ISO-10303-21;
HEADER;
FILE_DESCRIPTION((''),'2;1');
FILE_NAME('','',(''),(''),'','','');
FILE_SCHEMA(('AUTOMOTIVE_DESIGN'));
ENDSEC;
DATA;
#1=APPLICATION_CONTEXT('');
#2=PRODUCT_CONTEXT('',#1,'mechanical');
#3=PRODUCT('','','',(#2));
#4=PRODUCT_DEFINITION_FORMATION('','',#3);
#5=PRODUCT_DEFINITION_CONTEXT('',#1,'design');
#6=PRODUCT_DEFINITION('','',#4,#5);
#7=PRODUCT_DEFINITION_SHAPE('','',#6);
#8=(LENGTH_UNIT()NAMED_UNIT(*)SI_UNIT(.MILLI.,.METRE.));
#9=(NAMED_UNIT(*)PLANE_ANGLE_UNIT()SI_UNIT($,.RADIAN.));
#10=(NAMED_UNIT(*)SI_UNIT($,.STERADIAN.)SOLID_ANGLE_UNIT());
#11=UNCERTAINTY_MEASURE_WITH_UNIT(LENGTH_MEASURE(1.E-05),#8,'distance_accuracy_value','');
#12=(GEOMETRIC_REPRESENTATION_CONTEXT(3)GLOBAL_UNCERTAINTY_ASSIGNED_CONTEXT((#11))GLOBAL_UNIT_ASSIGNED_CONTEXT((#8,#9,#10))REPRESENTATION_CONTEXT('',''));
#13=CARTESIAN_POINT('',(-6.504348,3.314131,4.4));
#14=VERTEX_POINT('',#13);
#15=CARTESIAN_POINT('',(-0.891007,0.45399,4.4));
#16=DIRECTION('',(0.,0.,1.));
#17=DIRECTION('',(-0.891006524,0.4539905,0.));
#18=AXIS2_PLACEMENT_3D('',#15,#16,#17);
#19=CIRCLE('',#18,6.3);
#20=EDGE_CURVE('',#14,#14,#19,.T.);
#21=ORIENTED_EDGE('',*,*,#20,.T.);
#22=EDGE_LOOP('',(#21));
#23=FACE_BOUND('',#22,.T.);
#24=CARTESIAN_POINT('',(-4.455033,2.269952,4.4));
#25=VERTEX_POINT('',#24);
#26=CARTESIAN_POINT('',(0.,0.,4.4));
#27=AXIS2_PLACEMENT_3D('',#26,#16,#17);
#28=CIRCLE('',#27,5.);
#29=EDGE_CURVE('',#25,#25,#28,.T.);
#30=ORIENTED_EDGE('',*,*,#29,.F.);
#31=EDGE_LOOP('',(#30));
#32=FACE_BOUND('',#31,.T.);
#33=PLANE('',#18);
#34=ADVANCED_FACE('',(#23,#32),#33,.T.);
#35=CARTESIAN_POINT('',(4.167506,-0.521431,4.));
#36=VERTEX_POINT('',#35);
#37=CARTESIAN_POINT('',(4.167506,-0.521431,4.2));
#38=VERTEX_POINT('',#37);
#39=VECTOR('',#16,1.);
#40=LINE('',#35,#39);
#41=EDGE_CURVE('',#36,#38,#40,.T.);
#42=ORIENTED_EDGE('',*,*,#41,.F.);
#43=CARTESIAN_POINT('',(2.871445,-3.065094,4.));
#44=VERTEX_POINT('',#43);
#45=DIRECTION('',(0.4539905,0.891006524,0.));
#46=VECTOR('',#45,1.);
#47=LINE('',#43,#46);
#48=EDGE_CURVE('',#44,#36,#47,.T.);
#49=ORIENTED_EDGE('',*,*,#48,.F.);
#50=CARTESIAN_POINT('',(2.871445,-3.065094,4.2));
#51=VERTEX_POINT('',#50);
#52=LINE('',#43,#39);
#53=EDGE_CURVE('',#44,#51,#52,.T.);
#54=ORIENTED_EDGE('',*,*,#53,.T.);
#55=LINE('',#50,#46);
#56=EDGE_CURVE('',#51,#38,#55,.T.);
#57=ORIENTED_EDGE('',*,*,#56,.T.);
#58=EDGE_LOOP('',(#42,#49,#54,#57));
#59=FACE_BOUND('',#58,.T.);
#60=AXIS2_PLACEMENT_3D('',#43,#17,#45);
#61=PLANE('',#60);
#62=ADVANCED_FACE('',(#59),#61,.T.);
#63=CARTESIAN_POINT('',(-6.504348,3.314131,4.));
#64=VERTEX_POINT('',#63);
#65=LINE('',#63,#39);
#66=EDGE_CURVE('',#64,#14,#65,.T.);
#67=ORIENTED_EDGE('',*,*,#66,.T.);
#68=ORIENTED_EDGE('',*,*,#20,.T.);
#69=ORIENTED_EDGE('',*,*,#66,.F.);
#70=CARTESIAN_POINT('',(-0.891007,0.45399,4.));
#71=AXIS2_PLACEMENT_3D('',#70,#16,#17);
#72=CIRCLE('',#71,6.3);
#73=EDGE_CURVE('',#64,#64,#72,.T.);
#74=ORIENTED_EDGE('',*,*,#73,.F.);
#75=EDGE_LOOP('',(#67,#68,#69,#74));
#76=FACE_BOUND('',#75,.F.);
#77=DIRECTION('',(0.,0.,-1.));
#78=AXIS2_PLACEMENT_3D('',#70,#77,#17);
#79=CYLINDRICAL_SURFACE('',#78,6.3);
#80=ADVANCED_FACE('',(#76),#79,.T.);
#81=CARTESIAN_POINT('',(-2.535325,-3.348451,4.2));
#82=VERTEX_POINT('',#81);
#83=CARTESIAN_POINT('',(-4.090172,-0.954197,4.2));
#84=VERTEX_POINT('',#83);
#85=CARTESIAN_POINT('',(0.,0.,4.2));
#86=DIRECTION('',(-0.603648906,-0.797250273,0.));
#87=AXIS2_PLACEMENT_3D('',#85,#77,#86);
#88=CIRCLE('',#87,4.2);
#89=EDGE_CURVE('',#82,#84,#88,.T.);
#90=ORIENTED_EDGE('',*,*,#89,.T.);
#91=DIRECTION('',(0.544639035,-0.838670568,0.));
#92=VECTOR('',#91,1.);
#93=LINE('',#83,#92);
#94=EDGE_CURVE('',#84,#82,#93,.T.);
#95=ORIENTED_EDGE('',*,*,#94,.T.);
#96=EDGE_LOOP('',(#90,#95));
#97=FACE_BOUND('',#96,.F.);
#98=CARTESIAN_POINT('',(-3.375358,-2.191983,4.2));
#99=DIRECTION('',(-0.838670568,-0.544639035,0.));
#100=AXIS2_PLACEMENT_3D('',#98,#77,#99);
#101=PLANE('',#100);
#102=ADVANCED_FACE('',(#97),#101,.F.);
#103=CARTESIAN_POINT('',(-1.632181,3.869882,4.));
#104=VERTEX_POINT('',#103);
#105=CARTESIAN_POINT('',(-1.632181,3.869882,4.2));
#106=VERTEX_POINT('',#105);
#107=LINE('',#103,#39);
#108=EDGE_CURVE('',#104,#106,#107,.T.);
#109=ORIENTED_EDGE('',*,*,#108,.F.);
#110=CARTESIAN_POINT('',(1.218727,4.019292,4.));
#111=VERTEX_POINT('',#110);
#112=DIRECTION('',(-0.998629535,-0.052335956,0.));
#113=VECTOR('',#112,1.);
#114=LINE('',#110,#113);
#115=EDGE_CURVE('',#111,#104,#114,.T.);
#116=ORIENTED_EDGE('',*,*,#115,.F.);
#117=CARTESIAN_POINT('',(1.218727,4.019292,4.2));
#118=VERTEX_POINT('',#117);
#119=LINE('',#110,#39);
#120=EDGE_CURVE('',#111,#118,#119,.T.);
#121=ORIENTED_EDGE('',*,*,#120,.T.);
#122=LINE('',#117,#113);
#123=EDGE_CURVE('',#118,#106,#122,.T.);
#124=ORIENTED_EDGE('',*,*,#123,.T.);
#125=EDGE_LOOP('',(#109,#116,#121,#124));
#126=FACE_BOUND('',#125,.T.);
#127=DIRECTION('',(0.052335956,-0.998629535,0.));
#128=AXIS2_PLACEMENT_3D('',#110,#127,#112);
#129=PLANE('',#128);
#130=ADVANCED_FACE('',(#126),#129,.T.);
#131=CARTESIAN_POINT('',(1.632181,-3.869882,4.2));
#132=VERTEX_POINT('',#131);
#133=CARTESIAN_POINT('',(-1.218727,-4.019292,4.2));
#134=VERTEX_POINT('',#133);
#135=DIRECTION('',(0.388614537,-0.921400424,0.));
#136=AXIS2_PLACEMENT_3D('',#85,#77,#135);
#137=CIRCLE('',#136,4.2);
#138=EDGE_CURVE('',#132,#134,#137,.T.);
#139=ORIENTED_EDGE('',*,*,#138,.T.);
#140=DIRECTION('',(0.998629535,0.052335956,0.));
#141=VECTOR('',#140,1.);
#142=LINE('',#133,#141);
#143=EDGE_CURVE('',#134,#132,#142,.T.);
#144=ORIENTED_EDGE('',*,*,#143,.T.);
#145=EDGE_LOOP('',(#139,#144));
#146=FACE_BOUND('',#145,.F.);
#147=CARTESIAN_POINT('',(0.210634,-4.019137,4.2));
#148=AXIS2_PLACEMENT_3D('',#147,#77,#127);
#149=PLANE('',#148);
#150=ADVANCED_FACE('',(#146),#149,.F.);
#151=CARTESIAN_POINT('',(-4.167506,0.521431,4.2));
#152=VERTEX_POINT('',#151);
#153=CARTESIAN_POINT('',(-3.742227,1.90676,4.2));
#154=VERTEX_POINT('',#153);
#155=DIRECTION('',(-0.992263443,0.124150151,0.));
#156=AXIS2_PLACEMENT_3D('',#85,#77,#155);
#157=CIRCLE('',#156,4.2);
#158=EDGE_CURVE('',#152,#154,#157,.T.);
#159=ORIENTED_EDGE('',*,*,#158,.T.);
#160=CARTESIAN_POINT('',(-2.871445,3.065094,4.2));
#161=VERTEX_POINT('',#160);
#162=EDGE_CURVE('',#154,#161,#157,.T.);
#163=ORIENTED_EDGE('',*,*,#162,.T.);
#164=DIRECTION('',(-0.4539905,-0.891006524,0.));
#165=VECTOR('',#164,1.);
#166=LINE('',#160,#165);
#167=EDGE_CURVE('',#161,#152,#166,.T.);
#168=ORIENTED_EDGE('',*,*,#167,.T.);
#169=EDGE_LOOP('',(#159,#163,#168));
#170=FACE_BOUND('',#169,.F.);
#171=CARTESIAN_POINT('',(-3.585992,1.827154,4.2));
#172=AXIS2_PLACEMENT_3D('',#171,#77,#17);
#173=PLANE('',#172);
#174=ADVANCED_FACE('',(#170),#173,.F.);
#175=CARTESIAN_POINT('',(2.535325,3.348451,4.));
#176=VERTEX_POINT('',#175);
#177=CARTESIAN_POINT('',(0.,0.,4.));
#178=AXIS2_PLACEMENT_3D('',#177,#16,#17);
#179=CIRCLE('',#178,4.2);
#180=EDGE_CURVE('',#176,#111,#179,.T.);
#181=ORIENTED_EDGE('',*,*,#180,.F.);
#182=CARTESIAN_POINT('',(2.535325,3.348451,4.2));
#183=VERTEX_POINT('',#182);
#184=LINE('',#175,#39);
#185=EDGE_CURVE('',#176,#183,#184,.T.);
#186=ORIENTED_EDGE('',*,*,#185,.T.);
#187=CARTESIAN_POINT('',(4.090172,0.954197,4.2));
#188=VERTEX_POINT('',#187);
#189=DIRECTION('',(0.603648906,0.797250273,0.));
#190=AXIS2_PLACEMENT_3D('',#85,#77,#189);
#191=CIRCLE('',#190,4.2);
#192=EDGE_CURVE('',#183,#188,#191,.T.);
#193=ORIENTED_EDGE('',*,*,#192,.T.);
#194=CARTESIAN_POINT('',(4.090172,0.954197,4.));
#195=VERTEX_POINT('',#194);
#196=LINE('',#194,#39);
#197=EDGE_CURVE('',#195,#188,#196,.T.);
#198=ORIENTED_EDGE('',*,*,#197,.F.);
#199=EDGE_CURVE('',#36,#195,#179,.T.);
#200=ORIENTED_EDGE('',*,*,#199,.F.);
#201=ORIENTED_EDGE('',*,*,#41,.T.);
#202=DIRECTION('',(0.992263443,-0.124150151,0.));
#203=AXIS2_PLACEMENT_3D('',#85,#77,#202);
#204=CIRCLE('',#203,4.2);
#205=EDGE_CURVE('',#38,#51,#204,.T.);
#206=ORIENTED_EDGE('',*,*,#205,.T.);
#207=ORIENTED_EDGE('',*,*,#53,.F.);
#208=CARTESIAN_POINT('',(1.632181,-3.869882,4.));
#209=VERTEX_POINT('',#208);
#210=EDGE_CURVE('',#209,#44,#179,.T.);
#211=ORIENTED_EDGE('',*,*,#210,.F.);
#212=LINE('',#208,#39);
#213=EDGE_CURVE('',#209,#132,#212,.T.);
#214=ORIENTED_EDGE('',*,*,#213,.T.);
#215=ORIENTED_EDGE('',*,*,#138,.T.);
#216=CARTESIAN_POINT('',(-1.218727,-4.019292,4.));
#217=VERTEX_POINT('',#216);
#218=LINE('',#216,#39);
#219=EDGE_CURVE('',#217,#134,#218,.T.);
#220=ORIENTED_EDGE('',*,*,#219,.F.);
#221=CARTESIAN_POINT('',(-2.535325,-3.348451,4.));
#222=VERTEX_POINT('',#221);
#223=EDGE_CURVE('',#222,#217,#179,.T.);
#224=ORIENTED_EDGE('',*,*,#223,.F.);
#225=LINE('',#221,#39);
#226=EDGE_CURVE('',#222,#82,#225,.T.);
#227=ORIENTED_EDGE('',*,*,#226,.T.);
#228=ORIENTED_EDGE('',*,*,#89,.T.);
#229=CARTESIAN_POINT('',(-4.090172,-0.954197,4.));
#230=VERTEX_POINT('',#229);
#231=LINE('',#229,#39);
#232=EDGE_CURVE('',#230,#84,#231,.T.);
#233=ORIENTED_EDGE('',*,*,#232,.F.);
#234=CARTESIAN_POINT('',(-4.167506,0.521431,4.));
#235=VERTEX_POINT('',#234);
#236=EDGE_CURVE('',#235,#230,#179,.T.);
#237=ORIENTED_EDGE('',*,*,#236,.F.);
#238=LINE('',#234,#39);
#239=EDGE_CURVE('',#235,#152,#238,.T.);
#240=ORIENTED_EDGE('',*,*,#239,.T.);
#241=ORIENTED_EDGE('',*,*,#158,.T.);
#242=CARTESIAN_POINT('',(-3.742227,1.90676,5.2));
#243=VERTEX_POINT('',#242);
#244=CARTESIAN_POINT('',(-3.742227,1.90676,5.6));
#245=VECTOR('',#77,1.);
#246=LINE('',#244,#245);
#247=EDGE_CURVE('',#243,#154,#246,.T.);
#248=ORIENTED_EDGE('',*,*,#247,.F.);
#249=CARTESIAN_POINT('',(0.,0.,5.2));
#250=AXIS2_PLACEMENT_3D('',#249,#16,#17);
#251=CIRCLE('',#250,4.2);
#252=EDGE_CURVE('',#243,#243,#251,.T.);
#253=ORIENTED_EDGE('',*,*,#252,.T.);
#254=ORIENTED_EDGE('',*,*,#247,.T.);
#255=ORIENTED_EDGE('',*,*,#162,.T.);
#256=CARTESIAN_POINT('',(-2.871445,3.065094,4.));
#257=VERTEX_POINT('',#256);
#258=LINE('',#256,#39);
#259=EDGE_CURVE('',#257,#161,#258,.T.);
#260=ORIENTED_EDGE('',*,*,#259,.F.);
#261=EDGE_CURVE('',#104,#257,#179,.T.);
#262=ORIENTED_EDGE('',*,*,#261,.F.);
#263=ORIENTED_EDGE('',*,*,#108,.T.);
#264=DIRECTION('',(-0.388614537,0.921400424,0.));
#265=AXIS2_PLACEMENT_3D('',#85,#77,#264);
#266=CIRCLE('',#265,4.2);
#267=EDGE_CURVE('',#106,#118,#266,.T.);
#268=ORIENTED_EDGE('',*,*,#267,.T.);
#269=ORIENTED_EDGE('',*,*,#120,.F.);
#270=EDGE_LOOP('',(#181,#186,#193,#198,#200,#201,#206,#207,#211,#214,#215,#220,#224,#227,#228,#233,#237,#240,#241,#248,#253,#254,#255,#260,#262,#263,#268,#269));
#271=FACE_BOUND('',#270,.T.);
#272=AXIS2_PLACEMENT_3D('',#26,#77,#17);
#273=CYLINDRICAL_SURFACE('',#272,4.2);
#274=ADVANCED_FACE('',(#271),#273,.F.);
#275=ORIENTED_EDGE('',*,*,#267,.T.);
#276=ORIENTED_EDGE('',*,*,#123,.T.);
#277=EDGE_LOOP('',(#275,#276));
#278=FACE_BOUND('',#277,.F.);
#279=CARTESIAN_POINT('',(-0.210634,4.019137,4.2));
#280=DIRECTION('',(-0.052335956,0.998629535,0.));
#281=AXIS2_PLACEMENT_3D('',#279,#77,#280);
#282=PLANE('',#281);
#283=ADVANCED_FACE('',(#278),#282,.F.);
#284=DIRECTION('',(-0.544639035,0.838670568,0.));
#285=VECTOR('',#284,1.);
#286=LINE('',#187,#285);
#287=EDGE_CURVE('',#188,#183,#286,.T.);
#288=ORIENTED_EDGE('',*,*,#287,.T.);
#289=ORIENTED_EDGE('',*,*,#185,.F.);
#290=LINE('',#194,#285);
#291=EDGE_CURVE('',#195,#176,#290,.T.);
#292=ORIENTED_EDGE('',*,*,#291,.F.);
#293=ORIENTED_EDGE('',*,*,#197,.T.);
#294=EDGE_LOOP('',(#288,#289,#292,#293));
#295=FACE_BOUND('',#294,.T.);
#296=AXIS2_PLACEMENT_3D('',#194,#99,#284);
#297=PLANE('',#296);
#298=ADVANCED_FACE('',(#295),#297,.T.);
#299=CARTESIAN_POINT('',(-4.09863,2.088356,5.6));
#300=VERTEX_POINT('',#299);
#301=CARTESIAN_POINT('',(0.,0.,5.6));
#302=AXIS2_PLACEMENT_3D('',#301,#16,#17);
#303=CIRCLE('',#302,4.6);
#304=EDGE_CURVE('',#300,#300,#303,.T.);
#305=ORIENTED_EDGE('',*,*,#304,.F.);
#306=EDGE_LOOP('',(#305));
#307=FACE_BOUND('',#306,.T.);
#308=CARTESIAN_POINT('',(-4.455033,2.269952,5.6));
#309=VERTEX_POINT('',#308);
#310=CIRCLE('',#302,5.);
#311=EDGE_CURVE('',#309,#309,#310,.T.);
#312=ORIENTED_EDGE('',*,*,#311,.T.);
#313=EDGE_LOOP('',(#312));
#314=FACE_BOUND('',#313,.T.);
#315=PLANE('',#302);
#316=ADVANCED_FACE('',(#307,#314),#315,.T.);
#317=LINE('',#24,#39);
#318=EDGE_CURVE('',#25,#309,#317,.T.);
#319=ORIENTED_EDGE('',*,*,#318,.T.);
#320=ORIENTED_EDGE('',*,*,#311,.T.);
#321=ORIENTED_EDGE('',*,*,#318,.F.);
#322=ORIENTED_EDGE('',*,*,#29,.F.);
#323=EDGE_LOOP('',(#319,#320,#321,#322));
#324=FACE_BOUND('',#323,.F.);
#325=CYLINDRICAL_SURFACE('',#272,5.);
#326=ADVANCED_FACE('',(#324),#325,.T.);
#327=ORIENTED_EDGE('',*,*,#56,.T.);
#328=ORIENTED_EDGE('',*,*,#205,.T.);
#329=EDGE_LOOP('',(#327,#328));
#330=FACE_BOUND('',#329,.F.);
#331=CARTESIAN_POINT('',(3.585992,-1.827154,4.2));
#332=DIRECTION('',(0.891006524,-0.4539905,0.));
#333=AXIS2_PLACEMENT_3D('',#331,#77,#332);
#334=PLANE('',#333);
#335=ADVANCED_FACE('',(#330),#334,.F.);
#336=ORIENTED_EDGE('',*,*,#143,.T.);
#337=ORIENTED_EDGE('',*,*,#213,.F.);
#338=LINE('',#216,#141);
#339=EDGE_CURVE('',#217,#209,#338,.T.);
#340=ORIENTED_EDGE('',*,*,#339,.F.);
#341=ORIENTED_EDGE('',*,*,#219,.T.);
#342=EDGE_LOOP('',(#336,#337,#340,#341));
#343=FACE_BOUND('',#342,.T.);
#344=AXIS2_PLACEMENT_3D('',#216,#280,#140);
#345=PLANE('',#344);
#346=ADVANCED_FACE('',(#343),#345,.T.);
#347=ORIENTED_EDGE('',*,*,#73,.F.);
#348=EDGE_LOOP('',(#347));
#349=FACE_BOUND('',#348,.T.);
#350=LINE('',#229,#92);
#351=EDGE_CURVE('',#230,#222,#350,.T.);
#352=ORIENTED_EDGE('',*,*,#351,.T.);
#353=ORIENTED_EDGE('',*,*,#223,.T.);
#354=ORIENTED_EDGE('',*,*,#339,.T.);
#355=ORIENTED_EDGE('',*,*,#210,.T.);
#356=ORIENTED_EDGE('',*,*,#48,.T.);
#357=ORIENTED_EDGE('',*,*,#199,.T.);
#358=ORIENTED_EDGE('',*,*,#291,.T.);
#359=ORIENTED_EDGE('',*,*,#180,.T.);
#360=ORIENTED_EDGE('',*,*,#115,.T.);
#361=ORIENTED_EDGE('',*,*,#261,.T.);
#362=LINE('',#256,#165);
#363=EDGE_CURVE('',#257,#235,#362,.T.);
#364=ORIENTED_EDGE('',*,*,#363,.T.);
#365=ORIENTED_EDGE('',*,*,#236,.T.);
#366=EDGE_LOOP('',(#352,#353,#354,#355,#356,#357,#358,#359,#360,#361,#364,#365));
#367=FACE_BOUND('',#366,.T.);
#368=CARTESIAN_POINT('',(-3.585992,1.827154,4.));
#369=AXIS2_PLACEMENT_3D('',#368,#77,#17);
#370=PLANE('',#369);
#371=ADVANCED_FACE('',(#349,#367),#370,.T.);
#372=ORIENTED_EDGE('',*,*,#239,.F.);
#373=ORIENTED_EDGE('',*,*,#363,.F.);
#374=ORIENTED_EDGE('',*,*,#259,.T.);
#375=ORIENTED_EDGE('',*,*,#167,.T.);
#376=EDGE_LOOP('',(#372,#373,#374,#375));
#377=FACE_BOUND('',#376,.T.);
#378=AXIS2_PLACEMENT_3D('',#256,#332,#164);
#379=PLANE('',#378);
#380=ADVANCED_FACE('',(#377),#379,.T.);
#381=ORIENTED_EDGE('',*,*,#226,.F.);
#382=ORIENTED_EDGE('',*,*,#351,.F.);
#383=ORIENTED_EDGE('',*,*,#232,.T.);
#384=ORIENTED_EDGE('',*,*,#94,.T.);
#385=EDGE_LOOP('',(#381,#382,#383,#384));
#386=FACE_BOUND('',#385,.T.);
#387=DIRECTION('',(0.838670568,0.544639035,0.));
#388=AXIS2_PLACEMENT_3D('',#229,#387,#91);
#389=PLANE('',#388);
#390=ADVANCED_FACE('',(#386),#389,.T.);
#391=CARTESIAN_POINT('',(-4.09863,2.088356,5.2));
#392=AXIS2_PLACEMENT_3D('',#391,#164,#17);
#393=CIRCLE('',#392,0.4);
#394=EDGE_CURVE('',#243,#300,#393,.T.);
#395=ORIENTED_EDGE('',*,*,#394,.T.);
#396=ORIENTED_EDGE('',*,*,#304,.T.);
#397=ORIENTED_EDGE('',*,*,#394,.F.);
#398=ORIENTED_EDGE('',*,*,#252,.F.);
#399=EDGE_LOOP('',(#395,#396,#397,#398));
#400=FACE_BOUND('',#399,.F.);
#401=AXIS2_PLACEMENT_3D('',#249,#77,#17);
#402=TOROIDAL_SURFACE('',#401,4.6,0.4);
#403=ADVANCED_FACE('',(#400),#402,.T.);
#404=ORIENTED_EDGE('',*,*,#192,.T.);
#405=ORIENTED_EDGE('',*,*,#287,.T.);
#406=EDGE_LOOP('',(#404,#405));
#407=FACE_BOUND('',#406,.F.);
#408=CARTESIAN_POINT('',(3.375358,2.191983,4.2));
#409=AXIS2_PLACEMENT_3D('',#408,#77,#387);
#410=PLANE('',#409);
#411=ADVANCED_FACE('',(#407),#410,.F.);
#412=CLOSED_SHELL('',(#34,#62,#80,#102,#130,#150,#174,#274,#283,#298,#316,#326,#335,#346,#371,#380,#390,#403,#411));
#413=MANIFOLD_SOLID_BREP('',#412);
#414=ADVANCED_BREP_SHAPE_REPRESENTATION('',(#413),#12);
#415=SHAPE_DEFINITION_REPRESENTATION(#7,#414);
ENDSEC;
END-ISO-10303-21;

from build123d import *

# Parameters (mm, degrees)
SKETCH044_R             = 6.3
SKETCH044_R_2           = 4.2
PAD022_DEPTH            = 0.4
SKETCH049_R             = 5
SKETCH049_R_2           = 4.2
PAD027_DEPTH            = 1.2
PAD037_DEPTH            = 0.2
POLARPATTERN_COUNT      = 6
FILLET002_R             = 0.4
BODY009_PLACEMENT_ANGLE = 153


with BuildPart() as part:
    # Sketch044 → Pad022 (new body)
    with BuildSketch(Plane.XY):
        with Locations((1, 0)):
            Circle(SKETCH044_R)
        Circle(SKETCH044_R_2, mode=Mode.SUBTRACT)
    extrude(amount=PAD022_DEPTH)

    # Sketch049 (on Face4 of Pad022) → Pad027 (join)
    with BuildSketch(Plane.XY.offset(0.4)):
        Circle(SKETCH049_R)
        Circle(SKETCH049_R_2, mode=Mode.SUBTRACT)
    extrude(amount=PAD027_DEPTH)

    # Sketch074 (on Face2 of Pad027) → Pad037 (join)
    with BuildSketch(Plane(origin=(0, 0, 0), x_dir=(1, 0, 0), z_dir=(0, 0, -1))):
        with BuildLine():
            ThreePointArc((3.95, -1.4274102424), (4.2, 0), (3.95, 1.4274102424))
            Line((3.95, 1.4274102424), (3.95, -1.4274102424))
        make_face()
    pad037 = extrude(amount=-PAD037_DEPTH)

    # PolarPattern: Pad037 ×6 about axis
    polarpattern_axis = Axis((0, 0, 0), (0, 0, -1))
    for i in range(1, POLARPATTERN_COUNT):
        add(pad037.rotate(polarpattern_axis, i * 360 / POLARPATTERN_COUNT))

    # Fillet002
    fillet002_edges = [part.edges().sort_by_distance(p)[0] for p in [
        (-4.2, 0, 1.6),
    ]]
    fillet(fillet002_edges, radius=FILLET002_R)


with BuildPart() as part_1:
    # Body009 placement: moved
    add(part.part.moved(Location((0, 0, 4))).rotate(Axis((0, 0, 4), (0, 0, 1)), BODY009_PLACEMENT_ANGLE))


solid = part_1.part
